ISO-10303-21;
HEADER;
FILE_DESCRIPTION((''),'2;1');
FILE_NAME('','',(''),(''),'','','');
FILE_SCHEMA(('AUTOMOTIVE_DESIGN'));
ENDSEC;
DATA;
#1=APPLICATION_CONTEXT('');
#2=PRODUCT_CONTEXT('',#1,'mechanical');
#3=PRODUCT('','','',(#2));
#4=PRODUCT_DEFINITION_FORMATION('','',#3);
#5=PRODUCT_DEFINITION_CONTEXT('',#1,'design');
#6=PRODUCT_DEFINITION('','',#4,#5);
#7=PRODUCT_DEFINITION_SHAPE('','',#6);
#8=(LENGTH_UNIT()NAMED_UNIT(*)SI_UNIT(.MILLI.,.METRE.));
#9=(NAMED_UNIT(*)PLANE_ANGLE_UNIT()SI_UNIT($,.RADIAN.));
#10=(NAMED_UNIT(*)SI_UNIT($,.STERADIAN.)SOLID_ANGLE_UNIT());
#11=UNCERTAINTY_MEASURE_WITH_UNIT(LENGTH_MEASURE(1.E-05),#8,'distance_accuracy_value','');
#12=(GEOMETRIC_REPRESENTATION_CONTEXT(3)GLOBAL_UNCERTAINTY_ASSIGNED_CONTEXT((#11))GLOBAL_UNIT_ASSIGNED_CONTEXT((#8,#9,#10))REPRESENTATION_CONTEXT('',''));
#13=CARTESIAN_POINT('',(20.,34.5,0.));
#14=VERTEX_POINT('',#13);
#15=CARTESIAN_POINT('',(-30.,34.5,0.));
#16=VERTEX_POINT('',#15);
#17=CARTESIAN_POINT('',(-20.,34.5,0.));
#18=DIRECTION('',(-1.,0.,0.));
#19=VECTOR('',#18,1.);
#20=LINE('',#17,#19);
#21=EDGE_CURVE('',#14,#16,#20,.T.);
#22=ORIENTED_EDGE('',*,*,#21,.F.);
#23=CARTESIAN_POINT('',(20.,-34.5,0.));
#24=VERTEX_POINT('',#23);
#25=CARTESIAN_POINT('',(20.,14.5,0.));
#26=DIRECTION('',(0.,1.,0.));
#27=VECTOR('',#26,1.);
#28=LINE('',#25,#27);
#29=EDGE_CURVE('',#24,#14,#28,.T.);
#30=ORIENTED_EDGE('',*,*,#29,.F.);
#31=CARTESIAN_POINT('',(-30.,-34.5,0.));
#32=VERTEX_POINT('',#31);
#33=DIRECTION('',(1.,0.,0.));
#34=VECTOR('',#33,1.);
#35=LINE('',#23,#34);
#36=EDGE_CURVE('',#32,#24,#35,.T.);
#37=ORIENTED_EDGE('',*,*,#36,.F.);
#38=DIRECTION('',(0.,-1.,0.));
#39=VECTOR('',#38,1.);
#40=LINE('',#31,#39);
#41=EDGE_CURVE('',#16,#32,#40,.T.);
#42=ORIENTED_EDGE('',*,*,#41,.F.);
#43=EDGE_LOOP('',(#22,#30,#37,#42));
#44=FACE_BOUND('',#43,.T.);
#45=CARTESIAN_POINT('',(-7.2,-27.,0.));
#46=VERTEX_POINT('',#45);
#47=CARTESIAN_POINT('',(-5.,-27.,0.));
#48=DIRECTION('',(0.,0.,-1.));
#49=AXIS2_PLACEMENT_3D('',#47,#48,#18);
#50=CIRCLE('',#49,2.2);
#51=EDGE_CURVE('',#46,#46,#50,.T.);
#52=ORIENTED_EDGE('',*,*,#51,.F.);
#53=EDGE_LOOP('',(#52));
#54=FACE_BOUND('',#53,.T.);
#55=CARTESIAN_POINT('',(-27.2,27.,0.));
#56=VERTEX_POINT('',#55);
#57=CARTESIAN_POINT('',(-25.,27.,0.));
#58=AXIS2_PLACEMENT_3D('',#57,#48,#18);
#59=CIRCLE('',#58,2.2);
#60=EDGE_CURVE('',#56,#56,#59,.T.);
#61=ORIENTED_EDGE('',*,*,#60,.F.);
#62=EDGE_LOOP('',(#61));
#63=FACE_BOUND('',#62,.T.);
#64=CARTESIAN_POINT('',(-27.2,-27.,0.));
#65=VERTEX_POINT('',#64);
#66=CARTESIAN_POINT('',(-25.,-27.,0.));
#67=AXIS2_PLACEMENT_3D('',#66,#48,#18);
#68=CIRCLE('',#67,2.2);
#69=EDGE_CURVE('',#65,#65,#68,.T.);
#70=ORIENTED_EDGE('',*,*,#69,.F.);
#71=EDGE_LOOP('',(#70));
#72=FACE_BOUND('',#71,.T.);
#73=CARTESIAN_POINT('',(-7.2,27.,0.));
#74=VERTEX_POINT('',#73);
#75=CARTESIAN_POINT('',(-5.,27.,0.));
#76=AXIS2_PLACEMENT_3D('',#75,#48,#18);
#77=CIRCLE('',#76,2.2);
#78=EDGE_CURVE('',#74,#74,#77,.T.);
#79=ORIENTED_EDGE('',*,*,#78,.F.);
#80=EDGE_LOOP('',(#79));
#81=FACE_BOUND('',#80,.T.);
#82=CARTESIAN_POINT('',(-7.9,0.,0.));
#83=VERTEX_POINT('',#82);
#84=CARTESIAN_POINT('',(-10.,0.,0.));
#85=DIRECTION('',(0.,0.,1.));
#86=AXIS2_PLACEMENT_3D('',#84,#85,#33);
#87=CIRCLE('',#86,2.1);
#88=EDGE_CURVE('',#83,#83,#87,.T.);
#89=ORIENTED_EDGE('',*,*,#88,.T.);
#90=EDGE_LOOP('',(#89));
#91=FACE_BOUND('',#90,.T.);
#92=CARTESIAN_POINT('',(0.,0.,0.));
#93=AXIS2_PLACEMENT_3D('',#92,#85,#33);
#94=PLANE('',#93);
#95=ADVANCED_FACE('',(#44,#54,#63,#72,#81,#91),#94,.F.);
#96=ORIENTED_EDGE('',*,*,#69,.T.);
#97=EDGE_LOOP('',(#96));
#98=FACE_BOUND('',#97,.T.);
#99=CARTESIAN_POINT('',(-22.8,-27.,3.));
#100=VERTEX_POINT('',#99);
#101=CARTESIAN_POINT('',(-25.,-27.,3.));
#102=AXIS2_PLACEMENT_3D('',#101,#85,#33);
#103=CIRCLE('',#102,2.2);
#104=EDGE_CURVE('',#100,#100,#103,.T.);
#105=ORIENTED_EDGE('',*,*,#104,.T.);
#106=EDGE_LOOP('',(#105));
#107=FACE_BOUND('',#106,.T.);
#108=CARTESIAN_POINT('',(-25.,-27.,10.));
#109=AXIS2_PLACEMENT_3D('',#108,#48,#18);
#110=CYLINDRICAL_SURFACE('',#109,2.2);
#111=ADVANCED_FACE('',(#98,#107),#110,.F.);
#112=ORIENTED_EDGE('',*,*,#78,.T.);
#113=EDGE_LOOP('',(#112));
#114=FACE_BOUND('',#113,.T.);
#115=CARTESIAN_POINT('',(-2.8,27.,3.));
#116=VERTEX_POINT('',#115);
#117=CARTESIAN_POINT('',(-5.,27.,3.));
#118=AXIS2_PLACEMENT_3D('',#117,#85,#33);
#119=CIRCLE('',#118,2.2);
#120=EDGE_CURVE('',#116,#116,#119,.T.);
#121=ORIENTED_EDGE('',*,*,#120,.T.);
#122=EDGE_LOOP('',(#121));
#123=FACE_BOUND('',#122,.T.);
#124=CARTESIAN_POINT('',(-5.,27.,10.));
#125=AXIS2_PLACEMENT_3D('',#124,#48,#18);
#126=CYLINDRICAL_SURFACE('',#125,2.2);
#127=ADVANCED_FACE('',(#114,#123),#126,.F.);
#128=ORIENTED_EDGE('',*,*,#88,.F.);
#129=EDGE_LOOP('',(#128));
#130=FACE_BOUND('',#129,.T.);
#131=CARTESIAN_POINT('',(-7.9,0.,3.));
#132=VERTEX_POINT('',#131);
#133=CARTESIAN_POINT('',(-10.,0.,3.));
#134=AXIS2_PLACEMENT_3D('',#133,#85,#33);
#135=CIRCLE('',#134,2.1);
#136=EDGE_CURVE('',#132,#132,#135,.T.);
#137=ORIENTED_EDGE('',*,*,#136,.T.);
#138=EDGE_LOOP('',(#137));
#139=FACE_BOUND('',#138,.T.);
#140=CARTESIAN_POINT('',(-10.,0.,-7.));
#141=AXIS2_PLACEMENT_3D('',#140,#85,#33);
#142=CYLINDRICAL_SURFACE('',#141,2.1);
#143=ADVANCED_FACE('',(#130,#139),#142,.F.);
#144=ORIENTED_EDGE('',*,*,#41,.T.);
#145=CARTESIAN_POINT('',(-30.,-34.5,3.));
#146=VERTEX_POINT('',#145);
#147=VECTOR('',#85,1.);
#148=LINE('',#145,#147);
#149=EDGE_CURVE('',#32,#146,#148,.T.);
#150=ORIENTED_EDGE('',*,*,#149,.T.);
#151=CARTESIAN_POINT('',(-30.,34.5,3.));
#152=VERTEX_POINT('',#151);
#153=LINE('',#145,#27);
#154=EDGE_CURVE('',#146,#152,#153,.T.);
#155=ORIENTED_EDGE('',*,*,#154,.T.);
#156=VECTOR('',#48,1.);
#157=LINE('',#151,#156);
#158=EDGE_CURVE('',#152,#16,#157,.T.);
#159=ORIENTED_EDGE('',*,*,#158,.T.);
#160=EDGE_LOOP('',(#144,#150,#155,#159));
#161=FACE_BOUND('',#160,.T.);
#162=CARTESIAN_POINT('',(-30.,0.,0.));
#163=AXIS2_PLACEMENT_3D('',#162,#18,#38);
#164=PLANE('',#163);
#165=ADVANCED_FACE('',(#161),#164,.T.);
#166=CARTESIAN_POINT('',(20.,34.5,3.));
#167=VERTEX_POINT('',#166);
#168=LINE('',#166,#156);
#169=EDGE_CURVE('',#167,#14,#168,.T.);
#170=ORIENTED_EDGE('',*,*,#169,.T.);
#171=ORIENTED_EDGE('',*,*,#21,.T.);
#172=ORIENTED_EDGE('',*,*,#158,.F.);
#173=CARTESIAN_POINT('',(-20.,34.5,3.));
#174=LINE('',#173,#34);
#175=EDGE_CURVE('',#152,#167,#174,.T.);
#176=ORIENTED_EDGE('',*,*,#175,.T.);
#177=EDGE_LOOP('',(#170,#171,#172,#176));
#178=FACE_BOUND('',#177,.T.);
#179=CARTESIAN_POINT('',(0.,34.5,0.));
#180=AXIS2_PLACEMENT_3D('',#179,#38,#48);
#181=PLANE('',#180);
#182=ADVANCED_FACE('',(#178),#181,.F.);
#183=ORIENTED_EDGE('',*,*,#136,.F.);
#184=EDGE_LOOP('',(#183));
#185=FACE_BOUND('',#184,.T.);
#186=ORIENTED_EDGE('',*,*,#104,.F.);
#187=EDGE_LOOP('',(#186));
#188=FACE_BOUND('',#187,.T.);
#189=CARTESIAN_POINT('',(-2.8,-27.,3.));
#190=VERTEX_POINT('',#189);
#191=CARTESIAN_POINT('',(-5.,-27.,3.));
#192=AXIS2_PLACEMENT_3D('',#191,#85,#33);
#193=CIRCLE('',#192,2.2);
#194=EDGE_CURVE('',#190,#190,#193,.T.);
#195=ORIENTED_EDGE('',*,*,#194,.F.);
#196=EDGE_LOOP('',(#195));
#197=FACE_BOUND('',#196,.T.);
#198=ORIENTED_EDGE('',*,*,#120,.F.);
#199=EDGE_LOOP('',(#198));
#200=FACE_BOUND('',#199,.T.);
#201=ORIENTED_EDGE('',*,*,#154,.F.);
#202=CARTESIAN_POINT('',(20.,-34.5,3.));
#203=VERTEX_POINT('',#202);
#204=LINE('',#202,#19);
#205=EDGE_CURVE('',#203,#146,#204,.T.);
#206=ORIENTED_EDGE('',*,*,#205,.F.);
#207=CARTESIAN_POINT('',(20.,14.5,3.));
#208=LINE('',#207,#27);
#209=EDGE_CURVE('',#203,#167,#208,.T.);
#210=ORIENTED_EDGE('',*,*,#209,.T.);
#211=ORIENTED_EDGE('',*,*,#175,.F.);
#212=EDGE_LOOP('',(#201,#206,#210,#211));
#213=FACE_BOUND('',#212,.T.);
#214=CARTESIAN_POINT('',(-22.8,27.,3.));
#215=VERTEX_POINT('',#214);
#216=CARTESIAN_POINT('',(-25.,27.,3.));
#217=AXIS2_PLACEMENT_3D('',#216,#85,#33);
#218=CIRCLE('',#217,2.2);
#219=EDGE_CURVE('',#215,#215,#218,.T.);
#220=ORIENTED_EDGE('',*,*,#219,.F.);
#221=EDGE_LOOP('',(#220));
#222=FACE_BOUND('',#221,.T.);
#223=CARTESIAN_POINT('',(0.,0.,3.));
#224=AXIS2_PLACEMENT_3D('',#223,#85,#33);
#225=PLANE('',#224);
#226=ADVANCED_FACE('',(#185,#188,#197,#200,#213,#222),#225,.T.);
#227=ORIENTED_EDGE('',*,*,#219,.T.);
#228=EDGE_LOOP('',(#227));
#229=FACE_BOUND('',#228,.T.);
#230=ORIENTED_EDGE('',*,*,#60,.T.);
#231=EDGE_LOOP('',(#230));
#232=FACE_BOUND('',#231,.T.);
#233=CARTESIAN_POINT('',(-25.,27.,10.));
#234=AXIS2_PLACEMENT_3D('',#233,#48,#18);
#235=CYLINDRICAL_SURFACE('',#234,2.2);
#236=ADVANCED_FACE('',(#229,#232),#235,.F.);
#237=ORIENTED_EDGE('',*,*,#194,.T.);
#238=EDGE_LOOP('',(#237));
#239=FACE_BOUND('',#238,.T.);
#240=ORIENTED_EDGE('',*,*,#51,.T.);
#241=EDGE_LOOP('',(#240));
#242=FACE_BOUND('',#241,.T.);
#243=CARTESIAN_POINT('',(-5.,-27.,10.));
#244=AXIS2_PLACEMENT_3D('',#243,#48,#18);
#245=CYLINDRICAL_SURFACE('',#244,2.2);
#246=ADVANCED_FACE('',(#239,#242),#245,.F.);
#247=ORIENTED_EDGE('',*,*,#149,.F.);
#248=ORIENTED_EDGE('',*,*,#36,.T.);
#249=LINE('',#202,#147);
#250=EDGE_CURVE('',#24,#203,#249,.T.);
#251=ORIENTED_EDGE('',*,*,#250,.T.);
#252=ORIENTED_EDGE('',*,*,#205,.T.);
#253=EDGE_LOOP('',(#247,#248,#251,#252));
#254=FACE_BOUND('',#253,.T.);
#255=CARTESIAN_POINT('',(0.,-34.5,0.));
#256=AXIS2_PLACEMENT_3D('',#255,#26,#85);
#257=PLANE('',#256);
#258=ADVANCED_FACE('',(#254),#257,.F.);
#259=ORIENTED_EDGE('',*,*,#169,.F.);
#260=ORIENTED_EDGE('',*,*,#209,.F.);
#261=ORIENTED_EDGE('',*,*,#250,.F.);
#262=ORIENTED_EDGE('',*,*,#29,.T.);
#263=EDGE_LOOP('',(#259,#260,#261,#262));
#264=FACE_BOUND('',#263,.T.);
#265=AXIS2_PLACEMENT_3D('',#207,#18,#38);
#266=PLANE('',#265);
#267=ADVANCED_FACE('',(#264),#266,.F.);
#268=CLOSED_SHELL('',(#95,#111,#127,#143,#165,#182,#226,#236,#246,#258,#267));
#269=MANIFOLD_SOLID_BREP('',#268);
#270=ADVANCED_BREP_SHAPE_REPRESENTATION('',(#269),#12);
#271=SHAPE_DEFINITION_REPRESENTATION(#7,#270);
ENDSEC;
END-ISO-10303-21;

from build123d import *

# Parameters (mm, degrees)
SKETCH_1_W          = 40
SKETCH_1_H          = 29
EXTRUDE_1_DEPTH     = 3
SKETCH_3_W          = 40
SKETCH_3_H          = 3
EXTRUDE_2_DEPTH     = 3
SKETCH_4_W          = 40
SKETCH_4_H          = 3
EXTRUDE_3_DEPTH     = 3
SKETCH_5_W          = 40
SKETCH_5_H          = 3
EXTRUDE_4_DEPTH     = 7
SKETCH_6_W          = 40
SKETCH_6_H          = 3
EXTRUDE_5_DEPTH     = 7
SKETCH_7_W          = 40
SKETCH_7_H          = 3
EXTRUDE_6_DEPTH     = 10
SKETCH_8_W          = 40
SKETCH_8_H          = 3
EXTRUDE_7_DEPTH     = 10
SKETCH_12_W         = 3
SKETCH_12_H         = 69
EXTRUDE_9_DEPTH     = 30
SKETCH_15_R         = 2.1
CUT_EXTRUDE_4_DEPTH = 10
SKETCH_16_W         = 3
SKETCH_16_H         = 69
CUT_EXTRUDE_5_DEPTH = 20
SKETCH_17_R         = 2.2
CUT_EXTRUDE_6_DEPTH = 10


with BuildPart() as part:
    # ｽｹｯﾁ1 → ﾎﾞｽ - 押し出し1 (new body)
    with BuildSketch(Plane.XY):
        Rectangle(SKETCH_1_W, SKETCH_1_H)
    extrude(amount=EXTRUDE_1_DEPTH)

    # ｽｹｯﾁ3 → ﾎﾞｽ - 押し出し2 (add)
    with BuildSketch(Plane(origin=(0, -14.5, 0), x_dir=(-1, 0, 0), z_dir=(0, -1, 0))):
        with Locations((0, -1.5)):
            Rectangle(SKETCH_3_W, SKETCH_3_H)
    extrude(amount=EXTRUDE_2_DEPTH)

    # ｽｹｯﾁ4 → ﾎﾞｽ - 押し出し3 (add)
    with BuildSketch(Plane(origin=(0, 14.5, 0), x_dir=(1, 0, 0), z_dir=(0, 1, 0))):
        with Locations((0, -1.5)):
            Rectangle(SKETCH_4_W, SKETCH_4_H)
    extrude(amount=EXTRUDE_3_DEPTH)

    # ｽｹｯﾁ5 → ﾎﾞｽ - 押し出し4 (add)
    with BuildSketch(Plane.XZ.offset(17.5)):
        with Locations((0, 1.5)):
            Rectangle(SKETCH_5_W, SKETCH_5_H)
    extrude(amount=EXTRUDE_4_DEPTH)

    # ｽｹｯﾁ6 → ﾎﾞｽ - 押し出し5 (add)
    with BuildSketch(Plane(origin=(0, 17.5, 0), x_dir=(1, 0, 0), z_dir=(0, 1, 0))):
        with Locations((0, -1.5)):
            Rectangle(SKETCH_6_W, SKETCH_6_H)
    extrude(amount=EXTRUDE_5_DEPTH)

    # ｽｹｯﾁ7 → ﾎﾞｽ - 押し出し6 (add)
    with BuildSketch(Plane(origin=(0, 24.5, 0), x_dir=(1, 0, 0), z_dir=(0, 1, 0))):
        with Locations((0, -1.5)):
            Rectangle(SKETCH_7_W, SKETCH_7_H)
    extrude(amount=EXTRUDE_6_DEPTH)

    # ｽｹｯﾁ8 → ﾎﾞｽ - 押し出し7 (add)
    with BuildSketch(Plane.XZ.offset(24.5)):
        with Locations((0, 1.5)):
            Rectangle(SKETCH_8_W, SKETCH_8_H)
    extrude(amount=EXTRUDE_7_DEPTH)

    # ｽｹｯﾁ12 → ﾎﾞｽ - 押し出し9 (add)
    with BuildSketch(Plane.ZY.offset(20)):
        with Locations((1.5, 0)):
            Rectangle(SKETCH_12_W, SKETCH_12_H)
    extrude(amount=EXTRUDE_9_DEPTH)

    # ｽｹｯﾁ15 → ｶｯﾄ - 押し出し4 (cut)
    with BuildSketch(Plane.XY.offset(3)):
        with Locations((-10, 0)):
            Circle(SKETCH_15_R)
    extrude(amount=-CUT_EXTRUDE_4_DEPTH, mode=Mode.SUBTRACT)

    # ｽｹｯﾁ16 → ｶｯﾄ - 押し出し5 (cut)
    with BuildSketch(Plane.ZY.offset(50)):
        with Locations((1.5, 0)):
            Rectangle(SKETCH_16_W, SKETCH_16_H)
    extrude(amount=-CUT_EXTRUDE_5_DEPTH, mode=Mode.SUBTRACT)

    # ｽｹｯﾁ17 → ｶｯﾄ - 押し出し6 (cut)
    with BuildSketch(Plane(origin=(0, 0, 0), x_dir=(-1, 0, 0), z_dir=(0, 0, -1))):
        with Locations((5, 27)):
            Circle(SKETCH_17_R)
        with Locations((25, 27)):
            Circle(SKETCH_17_R)
        with Locations((5, -27)):
            Circle(SKETCH_17_R)
        with Locations((25, -27)):
            Circle(SKETCH_17_R)
    extrude(amount=-CUT_EXTRUDE_6_DEPTH, mode=Mode.SUBTRACT)


solid = part.part
